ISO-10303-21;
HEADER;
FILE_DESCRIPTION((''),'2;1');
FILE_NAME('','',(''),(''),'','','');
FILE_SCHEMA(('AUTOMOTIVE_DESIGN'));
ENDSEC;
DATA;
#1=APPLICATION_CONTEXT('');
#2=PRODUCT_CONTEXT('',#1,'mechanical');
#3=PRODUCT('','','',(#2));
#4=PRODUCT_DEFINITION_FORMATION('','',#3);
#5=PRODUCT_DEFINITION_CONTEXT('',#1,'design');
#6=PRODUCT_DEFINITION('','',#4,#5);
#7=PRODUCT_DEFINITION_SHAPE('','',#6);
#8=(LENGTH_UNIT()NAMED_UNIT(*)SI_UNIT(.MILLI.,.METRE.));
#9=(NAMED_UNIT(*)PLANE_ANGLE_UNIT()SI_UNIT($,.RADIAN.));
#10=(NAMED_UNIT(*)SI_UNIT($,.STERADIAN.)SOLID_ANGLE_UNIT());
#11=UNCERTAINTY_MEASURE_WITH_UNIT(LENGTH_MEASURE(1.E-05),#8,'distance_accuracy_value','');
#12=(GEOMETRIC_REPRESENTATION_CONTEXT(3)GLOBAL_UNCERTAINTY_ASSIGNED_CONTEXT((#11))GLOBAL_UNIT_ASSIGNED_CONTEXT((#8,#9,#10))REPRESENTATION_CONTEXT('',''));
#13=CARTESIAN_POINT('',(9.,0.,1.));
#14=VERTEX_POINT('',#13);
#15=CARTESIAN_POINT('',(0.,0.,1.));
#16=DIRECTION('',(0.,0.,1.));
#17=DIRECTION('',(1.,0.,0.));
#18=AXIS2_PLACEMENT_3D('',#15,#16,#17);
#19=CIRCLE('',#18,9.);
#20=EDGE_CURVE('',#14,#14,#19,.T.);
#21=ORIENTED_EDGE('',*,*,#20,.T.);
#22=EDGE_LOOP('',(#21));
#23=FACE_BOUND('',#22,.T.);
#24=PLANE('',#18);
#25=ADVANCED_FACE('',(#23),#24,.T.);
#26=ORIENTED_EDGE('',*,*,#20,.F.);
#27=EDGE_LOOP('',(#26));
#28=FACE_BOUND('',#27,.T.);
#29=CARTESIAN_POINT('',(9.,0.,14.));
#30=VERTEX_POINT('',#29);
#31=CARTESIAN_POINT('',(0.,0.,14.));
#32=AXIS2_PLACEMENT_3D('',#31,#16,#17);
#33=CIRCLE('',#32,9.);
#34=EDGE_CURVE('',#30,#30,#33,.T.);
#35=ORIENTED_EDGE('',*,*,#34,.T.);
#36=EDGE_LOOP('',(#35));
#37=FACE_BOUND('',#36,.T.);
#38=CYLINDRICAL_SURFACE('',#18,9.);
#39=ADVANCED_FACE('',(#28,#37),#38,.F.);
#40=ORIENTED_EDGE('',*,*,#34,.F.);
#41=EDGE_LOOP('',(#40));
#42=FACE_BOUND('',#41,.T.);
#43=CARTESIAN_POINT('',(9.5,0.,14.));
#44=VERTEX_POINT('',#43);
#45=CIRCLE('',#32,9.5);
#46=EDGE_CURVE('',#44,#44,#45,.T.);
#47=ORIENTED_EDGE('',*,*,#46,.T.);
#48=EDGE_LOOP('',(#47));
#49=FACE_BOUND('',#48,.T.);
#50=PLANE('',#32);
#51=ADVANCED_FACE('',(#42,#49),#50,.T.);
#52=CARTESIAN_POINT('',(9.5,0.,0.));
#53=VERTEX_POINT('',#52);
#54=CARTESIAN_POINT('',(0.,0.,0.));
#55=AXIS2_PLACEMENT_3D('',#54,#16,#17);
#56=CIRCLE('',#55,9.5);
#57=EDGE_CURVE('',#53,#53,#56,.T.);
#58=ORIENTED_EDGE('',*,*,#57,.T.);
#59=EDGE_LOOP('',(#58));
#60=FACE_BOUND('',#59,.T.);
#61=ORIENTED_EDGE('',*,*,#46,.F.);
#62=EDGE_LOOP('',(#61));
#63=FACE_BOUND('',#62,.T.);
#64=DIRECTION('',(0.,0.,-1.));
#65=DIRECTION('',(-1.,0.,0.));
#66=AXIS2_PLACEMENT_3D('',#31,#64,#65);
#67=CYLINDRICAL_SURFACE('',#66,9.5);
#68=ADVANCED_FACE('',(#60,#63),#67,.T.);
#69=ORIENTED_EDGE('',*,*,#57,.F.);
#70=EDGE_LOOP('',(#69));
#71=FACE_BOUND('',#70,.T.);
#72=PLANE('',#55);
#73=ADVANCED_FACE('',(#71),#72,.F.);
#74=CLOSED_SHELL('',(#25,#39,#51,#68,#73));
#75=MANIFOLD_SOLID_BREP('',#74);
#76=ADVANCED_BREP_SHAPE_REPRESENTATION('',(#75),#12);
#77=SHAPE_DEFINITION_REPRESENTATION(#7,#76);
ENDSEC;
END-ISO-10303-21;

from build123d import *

# Parameters (mm, degrees)
SKETCH1_R           = 9.5
BOSS_EXTRUDE1_DEPTH = 14
SKETCH2_R           = 9
CUT_EXTRUDE1_DEPTH  = 13


with BuildPart() as part:
    # Sketch1 → Boss-Extrude1 (new body)
    with BuildSketch(Plane.XY):
        Circle(SKETCH1_R)
    extrude(amount=BOSS_EXTRUDE1_DEPTH)

    # Sketch2 → Cut-Extrude1 (cut)
    with BuildSketch(Plane.XY.offset(14)):
        Circle(SKETCH2_R)
    extrude(amount=-CUT_EXTRUDE1_DEPTH, mode=Mode.SUBTRACT)


solid = part.part
